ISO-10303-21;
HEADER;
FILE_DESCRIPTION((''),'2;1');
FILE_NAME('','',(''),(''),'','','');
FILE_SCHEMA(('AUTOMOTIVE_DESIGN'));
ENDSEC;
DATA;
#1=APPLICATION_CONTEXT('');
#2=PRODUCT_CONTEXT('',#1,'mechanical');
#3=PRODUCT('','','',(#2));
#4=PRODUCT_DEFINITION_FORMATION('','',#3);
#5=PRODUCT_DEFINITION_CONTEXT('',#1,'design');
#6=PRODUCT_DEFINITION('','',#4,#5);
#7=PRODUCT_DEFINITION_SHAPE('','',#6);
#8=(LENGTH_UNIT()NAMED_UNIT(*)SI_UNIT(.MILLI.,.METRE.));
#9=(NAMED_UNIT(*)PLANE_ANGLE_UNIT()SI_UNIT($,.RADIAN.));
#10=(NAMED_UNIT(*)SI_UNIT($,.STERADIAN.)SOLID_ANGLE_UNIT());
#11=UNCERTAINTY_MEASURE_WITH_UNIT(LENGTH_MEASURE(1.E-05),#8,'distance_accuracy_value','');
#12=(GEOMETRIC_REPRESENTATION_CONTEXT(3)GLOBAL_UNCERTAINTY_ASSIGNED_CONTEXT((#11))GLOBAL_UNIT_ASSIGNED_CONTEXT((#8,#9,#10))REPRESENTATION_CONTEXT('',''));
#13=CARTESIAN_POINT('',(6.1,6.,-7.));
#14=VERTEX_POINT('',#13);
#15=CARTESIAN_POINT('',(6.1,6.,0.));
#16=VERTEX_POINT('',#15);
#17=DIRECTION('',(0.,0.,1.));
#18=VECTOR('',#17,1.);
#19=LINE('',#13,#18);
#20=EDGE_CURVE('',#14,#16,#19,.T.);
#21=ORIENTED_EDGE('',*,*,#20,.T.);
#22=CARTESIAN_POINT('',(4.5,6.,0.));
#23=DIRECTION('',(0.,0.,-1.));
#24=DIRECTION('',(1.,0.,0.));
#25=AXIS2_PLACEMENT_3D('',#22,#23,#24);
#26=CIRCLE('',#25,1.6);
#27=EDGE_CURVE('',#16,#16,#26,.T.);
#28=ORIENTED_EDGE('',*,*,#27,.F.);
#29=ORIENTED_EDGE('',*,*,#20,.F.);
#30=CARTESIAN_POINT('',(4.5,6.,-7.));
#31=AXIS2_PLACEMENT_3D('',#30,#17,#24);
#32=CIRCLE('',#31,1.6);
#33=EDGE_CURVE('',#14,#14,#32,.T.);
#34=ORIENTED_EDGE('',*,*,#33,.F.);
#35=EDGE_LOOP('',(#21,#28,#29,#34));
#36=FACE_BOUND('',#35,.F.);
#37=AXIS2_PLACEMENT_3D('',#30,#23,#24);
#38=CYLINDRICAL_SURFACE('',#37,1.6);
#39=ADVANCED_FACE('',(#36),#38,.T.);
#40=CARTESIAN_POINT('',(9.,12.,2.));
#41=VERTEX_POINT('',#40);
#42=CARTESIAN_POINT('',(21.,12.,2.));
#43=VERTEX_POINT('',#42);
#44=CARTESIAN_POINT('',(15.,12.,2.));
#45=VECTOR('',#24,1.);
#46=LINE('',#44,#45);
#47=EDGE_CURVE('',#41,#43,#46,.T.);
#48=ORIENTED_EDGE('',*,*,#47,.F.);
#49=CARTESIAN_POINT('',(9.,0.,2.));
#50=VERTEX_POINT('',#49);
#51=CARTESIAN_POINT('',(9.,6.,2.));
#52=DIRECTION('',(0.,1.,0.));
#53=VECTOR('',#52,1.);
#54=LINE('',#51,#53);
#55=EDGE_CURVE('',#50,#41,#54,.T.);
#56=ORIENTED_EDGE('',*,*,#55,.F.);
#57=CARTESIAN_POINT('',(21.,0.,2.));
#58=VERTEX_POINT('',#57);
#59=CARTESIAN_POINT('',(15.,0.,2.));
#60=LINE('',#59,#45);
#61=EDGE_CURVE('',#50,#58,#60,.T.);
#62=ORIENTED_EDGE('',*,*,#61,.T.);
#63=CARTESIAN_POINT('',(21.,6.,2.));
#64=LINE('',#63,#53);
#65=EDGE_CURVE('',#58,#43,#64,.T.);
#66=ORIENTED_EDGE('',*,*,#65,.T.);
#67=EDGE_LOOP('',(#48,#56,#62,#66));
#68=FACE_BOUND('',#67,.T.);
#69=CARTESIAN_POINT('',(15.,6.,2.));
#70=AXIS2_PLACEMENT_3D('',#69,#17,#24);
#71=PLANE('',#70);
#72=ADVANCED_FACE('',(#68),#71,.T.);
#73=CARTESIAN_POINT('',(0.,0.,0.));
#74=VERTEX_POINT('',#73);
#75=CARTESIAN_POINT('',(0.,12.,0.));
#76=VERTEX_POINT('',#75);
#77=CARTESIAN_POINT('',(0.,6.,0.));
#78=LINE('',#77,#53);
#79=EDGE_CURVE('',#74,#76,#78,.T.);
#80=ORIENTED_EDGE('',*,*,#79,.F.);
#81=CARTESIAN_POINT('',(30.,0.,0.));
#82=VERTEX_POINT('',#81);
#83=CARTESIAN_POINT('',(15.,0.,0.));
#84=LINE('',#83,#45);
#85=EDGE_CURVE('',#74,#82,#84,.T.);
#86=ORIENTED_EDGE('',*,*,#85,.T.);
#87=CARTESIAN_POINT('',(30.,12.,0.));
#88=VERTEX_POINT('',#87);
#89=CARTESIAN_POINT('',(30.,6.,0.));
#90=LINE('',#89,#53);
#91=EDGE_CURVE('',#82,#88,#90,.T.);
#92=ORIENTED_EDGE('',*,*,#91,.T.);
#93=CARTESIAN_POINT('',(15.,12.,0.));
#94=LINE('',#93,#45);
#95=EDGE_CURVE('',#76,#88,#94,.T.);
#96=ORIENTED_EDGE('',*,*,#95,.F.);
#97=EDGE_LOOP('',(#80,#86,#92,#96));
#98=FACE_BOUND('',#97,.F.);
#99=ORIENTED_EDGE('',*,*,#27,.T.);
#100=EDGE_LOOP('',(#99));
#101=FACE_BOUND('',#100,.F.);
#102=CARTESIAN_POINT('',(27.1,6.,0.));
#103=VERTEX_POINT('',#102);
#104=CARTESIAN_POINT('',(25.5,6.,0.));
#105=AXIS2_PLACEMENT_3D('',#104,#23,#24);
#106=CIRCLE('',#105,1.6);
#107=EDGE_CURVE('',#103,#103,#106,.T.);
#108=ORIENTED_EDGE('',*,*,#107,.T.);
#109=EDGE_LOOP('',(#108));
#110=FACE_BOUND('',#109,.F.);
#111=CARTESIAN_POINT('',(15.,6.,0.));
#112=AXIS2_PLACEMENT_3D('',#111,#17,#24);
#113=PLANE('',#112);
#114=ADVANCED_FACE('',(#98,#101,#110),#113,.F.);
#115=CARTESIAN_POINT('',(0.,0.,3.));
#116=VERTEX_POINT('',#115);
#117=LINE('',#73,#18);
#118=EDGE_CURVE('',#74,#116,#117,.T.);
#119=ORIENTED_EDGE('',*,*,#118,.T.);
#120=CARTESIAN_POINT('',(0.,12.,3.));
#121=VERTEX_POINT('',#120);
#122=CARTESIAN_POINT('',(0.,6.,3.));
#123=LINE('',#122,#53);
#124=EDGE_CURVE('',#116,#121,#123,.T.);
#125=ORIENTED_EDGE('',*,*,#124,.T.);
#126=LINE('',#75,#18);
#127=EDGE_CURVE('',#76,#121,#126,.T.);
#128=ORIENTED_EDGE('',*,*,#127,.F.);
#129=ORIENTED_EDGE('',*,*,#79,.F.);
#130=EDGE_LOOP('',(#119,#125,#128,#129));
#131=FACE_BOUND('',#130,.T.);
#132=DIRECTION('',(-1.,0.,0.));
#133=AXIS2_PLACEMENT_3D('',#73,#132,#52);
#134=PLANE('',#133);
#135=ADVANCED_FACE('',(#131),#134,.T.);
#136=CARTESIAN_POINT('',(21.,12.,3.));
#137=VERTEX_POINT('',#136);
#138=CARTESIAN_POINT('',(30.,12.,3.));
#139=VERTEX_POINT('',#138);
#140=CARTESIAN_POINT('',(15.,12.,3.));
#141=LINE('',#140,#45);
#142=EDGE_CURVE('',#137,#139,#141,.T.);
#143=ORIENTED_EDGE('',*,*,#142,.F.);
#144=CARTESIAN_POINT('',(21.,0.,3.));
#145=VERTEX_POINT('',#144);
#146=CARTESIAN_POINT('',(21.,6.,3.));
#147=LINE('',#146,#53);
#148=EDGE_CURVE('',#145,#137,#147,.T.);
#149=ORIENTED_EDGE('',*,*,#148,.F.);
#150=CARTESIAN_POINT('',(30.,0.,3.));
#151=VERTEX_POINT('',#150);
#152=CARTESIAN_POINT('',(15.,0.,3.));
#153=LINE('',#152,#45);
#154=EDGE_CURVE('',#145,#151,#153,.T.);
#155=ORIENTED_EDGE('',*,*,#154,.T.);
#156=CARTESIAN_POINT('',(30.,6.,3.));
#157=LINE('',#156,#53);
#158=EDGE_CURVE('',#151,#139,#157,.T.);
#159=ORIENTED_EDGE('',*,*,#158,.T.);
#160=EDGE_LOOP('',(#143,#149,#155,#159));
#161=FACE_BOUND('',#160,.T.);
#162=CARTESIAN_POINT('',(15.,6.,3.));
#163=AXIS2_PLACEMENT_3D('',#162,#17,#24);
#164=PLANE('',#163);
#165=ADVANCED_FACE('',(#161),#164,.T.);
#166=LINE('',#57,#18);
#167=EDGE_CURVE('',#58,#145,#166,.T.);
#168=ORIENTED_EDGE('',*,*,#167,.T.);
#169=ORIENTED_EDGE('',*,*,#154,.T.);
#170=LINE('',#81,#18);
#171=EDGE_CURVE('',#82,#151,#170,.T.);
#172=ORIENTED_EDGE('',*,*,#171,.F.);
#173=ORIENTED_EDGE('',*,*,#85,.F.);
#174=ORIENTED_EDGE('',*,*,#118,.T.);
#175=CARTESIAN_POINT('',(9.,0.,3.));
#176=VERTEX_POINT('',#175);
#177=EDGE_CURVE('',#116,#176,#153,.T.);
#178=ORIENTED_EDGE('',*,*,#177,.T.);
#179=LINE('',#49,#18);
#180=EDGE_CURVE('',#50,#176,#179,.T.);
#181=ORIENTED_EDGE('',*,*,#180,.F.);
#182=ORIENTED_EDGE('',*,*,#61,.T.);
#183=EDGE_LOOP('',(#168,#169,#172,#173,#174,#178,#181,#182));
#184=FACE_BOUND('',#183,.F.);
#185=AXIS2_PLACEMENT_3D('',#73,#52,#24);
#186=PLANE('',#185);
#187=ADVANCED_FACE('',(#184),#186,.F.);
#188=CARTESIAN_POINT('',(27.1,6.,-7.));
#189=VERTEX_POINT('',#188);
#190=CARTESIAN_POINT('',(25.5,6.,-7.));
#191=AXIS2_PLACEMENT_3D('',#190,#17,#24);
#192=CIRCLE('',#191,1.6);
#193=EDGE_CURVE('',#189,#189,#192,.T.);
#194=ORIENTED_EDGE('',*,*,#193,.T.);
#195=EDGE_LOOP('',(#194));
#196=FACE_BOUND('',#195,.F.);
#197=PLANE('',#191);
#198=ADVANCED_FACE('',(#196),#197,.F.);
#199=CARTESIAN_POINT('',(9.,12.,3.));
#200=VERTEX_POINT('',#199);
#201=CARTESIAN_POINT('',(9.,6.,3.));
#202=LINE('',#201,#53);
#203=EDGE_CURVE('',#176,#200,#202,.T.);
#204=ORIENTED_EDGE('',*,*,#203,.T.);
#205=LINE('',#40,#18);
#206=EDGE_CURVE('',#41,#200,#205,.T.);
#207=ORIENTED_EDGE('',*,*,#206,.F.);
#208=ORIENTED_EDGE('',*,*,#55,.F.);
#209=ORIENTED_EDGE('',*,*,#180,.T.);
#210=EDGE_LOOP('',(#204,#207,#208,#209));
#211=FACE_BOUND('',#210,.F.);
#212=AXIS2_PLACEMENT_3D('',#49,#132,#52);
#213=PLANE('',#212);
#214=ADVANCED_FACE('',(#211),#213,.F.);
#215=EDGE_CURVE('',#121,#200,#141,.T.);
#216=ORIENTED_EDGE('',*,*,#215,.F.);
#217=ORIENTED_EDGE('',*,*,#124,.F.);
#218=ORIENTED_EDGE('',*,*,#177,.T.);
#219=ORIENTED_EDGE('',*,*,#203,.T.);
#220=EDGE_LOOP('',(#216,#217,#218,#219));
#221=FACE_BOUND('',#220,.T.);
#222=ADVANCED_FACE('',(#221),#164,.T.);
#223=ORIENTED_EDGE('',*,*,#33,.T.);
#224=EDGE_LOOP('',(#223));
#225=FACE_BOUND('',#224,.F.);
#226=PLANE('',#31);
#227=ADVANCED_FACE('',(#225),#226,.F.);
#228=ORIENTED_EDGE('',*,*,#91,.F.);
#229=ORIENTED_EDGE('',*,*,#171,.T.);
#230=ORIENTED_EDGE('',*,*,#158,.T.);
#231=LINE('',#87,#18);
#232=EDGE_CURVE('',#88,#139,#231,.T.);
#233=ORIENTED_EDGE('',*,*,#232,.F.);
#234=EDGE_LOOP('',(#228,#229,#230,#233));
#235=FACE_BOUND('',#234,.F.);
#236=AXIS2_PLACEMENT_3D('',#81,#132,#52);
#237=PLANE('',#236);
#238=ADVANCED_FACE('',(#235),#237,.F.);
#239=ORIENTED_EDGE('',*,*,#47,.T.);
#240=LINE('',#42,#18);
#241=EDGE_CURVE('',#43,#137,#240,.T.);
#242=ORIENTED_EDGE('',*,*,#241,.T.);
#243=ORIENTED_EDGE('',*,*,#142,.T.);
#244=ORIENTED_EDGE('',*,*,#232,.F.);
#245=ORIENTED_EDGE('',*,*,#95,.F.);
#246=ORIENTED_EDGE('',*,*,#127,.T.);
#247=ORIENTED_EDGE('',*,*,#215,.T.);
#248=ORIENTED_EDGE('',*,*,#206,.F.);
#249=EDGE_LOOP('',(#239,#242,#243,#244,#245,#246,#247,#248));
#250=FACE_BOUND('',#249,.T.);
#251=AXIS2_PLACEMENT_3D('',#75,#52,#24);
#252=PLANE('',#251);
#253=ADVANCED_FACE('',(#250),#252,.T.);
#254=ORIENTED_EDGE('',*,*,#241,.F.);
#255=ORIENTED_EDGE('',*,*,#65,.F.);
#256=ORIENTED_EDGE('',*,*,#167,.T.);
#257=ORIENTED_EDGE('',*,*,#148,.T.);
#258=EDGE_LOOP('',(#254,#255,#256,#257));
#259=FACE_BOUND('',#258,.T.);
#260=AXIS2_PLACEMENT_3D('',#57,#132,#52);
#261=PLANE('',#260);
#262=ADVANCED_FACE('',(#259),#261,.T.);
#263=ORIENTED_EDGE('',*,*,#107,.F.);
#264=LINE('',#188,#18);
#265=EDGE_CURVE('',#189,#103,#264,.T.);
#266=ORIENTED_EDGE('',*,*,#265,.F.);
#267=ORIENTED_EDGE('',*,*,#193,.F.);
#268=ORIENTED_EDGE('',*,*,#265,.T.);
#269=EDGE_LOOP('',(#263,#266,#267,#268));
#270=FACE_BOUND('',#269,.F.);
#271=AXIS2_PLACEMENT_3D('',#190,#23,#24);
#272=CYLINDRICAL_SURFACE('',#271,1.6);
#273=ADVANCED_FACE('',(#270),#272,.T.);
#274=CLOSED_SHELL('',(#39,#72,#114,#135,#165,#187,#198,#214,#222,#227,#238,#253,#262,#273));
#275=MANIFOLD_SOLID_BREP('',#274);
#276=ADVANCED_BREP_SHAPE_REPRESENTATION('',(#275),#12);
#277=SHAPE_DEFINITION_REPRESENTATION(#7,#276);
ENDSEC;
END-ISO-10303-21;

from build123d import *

# Parameters (mm, degrees)
CYLINDER_R        = 1.6
CYLINDER_DEPTH    = 10
BOX001_W          = 12
BOX001_H          = 12
BOX001_DEPTH      = 1
BOX_W             = 30
BOX_H             = 12
BOX_DEPTH         = 3
CYLINDER001_R     = 1.6
CYLINDER001_DEPTH = 10


with BuildPart() as cylinder:
    # Cylinder → Cylinder (new body)
    with BuildSketch(Plane(origin=(25.5, 6, -7), x_dir=(1, 0, 0), z_dir=(0, 0, 1))):
        Circle(CYLINDER_R)
    extrude(amount=CYLINDER_DEPTH)


with BuildPart() as posicion_para_boton:
    # Box001 → Box001 (new body)
    with BuildSketch(Plane(origin=(9, 0, 2), x_dir=(1, 0, 0), z_dir=(0, 0, 1))):
        with Locations((6, 6)):
            Rectangle(BOX001_W, BOX001_H)
    extrude(amount=BOX001_DEPTH)


with BuildPart() as fusion:
    # Box → Box (new body)
    with BuildSketch(Plane.XY):
        with Locations((15, 6)):
            Rectangle(BOX_W, BOX_H)
    extrude(amount=BOX_DEPTH)

    # Cut: cut posicion_para_boton
    add(posicion_para_boton.part, mode=Mode.SUBTRACT)

    # Fusion: union Cylinder
    add(cylinder.part)


with BuildPart() as el_perforador_boton:
    # Cylinder001 → Cylinder001 (new body)
    with BuildSketch(Plane(origin=(4.5, 6, -7), x_dir=(1, 0, 0), z_dir=(0, 0, 1))):
        Circle(CYLINDER001_R)
    extrude(amount=CYLINDER001_DEPTH)

    # Fusion001: union Fusion
    add(fusion.part)


solid = el_perforador_boton.part
